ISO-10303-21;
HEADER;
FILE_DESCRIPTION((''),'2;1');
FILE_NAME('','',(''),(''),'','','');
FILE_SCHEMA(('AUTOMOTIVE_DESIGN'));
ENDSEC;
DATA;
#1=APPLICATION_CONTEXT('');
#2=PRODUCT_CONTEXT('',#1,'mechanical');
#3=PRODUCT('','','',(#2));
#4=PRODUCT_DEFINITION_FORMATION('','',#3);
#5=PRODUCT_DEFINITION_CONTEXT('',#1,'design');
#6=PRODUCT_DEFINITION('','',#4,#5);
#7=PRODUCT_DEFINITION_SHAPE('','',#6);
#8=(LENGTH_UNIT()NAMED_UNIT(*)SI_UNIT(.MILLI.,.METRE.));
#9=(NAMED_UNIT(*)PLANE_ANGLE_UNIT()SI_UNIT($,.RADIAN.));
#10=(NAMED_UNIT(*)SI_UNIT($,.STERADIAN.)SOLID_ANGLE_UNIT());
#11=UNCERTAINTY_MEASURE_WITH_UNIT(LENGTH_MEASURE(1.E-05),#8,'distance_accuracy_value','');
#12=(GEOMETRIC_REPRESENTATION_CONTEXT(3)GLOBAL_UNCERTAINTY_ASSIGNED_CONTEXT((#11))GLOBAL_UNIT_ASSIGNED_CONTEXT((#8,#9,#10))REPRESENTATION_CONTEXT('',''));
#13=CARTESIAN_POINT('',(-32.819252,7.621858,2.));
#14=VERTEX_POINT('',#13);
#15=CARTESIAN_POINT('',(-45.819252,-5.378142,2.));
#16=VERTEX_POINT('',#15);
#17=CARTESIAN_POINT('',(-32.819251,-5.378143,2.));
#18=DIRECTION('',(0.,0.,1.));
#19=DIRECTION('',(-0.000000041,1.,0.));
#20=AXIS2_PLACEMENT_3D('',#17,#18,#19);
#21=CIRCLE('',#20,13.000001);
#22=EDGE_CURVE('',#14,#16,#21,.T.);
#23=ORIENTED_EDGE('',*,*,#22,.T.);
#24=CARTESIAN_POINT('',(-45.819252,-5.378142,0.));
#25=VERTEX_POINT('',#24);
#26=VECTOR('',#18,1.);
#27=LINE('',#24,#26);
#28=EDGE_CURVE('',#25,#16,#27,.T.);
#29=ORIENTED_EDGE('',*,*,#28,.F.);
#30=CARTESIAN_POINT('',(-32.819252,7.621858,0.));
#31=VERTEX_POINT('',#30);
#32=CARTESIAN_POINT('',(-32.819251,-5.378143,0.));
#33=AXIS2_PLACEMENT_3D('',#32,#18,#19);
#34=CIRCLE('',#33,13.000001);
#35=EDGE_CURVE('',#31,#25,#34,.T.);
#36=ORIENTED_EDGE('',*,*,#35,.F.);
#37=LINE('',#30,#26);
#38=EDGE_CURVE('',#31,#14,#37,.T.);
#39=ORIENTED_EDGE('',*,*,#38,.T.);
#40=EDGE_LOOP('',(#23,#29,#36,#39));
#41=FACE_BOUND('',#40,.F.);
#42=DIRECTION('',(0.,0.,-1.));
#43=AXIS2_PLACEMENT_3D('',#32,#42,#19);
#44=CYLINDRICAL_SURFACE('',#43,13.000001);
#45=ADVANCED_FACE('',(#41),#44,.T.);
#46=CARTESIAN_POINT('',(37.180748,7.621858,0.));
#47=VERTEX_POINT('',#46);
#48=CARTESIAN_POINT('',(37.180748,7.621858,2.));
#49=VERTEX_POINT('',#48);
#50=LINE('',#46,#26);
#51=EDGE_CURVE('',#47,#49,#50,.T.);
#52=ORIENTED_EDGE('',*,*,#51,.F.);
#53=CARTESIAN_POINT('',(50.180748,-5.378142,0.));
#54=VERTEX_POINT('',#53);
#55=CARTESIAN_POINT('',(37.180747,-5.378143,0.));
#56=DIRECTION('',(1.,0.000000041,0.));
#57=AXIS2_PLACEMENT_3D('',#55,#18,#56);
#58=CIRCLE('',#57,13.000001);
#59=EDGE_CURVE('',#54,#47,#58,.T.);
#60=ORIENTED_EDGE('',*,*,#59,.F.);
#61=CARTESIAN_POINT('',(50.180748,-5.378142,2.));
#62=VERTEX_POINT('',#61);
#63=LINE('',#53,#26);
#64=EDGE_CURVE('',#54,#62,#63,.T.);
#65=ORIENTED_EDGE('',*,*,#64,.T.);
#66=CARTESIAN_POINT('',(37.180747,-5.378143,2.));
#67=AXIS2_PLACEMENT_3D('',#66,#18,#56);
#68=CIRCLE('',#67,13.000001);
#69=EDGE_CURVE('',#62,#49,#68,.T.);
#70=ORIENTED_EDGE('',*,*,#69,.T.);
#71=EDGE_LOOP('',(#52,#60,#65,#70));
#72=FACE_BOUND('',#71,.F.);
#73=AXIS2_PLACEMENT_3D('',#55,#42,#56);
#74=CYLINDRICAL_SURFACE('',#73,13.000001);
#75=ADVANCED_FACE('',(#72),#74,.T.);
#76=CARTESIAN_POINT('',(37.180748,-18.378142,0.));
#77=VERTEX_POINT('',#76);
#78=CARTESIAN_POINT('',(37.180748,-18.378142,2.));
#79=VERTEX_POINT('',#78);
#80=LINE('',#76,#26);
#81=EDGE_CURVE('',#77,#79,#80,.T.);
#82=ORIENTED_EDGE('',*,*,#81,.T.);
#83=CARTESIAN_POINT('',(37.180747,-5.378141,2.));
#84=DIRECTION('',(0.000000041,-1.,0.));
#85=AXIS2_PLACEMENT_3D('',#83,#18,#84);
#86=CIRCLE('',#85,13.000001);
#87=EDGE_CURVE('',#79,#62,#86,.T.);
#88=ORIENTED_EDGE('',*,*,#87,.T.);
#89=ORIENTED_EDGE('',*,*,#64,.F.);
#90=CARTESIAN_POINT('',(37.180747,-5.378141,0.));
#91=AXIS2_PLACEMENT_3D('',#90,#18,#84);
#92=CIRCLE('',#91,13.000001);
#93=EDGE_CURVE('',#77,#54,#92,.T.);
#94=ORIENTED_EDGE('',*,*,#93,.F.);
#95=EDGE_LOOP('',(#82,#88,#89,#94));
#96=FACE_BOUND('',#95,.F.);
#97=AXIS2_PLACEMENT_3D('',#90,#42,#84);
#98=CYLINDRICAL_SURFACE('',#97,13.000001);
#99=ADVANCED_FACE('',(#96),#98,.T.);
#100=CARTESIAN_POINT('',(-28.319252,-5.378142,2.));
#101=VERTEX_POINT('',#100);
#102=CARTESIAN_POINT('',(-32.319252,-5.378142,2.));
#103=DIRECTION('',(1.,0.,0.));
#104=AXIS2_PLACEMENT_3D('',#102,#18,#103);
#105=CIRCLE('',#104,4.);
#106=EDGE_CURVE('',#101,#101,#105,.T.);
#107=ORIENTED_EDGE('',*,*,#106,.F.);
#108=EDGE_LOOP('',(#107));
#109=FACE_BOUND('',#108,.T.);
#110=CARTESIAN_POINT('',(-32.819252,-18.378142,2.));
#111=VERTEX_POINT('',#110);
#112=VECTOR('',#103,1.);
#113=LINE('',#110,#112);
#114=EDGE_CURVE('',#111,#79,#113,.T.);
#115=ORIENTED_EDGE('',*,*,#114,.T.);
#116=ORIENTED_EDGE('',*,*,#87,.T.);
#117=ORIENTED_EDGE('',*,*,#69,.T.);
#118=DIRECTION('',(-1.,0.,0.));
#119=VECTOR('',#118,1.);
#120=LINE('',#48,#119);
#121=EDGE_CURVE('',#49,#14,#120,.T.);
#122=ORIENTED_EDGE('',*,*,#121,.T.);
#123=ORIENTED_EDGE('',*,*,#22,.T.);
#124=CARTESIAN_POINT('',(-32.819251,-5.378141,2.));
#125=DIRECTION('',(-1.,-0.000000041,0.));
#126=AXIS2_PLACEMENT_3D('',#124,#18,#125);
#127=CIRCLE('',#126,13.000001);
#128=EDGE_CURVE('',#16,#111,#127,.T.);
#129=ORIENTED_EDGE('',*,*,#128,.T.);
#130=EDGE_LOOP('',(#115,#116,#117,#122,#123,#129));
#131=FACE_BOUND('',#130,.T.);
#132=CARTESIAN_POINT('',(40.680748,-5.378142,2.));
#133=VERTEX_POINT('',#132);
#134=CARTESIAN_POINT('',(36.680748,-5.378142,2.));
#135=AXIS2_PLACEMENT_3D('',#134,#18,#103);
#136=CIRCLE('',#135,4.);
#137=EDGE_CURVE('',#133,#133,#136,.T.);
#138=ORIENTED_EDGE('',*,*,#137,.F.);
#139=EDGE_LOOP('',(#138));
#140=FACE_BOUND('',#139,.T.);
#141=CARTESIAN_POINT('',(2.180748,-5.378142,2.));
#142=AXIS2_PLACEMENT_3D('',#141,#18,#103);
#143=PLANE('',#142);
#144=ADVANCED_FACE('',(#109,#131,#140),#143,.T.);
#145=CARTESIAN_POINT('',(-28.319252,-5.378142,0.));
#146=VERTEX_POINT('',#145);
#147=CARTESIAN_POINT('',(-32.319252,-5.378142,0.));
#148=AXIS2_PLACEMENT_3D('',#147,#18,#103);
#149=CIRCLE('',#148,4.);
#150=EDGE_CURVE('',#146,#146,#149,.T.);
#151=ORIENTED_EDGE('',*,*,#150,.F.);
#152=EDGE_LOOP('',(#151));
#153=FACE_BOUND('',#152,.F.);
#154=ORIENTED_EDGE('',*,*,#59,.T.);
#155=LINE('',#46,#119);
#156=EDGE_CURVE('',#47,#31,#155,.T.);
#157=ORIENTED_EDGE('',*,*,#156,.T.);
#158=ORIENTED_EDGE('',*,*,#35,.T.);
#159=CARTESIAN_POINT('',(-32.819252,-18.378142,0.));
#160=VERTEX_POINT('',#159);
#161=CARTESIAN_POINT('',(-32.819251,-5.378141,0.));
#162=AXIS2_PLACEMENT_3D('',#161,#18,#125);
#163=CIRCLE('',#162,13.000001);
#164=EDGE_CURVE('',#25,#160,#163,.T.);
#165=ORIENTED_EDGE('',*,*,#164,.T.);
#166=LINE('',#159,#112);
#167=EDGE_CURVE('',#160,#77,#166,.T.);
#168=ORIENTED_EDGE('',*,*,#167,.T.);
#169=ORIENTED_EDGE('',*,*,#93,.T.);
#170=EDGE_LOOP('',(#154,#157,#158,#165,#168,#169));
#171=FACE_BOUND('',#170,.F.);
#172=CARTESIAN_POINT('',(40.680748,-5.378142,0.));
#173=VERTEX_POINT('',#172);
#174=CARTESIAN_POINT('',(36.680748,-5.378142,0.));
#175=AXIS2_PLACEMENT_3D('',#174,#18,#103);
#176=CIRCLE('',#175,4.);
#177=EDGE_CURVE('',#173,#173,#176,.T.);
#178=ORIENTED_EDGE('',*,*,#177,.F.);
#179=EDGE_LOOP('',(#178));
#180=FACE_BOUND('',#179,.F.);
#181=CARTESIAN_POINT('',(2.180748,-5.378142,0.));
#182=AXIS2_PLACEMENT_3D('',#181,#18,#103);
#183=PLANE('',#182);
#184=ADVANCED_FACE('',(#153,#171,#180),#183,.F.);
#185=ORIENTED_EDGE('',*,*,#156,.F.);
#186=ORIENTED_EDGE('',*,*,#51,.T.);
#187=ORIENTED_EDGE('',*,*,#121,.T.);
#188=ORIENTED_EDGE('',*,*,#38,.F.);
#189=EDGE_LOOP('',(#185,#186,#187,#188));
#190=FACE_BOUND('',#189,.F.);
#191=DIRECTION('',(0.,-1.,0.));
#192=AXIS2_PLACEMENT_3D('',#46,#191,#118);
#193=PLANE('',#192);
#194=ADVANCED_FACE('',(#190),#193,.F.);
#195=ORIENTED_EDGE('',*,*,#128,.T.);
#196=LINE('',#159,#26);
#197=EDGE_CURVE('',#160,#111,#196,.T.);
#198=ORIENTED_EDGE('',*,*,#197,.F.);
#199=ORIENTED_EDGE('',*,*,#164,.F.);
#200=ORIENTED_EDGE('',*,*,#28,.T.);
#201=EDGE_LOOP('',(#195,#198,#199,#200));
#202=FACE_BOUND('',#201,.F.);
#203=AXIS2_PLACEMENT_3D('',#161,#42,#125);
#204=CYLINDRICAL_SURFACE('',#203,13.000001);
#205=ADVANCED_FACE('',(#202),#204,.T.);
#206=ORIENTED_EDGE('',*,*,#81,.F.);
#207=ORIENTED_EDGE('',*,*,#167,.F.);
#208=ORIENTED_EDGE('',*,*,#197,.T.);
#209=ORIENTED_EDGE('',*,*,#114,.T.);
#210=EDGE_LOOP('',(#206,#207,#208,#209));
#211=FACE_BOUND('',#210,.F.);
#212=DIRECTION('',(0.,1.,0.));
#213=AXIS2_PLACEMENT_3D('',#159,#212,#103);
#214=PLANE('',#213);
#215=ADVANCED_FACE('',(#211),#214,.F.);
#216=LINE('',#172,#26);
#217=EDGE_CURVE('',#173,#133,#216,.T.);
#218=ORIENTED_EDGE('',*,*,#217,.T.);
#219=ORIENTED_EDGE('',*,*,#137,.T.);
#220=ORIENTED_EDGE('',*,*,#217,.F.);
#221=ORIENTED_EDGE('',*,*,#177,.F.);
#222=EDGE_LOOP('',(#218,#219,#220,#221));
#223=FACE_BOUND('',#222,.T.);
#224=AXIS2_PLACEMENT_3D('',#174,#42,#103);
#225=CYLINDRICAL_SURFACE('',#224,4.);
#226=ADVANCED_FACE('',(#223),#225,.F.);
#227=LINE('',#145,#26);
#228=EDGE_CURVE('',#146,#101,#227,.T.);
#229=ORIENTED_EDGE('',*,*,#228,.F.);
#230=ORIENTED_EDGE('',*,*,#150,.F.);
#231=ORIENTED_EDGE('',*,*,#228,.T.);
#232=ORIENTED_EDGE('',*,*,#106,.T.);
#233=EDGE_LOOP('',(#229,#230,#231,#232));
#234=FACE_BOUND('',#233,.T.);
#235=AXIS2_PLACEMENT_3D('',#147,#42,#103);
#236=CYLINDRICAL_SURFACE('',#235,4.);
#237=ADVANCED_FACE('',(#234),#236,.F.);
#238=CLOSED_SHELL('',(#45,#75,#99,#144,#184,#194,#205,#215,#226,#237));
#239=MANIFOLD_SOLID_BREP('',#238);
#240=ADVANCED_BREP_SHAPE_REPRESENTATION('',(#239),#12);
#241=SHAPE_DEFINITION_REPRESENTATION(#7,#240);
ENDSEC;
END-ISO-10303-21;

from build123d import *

# Parameters (mm, degrees)
F0_R     = 4
F1_DEPTH = 2


with BuildPart() as f1:
    # F0 (on Top) → F1 (new body)
    with BuildSketch(Plane.XY):
        with BuildLine():
            Line((37.180748, 7.621858), (-32.819252, 7.621858))
            ThreePointArc((-32.819252, 7.621858), (-42.01164, 3.814246), (-45.819252, -5.378142))
            ThreePointArc((-45.819252, -5.378142), (-42.01164, -14.57053), (-32.819252, -18.378142))
            Line((-32.819252, -18.378142), (37.180748, -18.378142))
            ThreePointArc((37.180748, -18.378142), (46.373136, -14.57053), (50.180748, -5.378142))
            ThreePointArc((50.180748, -5.378142), (46.373136, 3.814246), (37.180748, 7.621858))
        make_face()
        with Locations((-32.319252, -5.378142)):
            Circle(F0_R, mode=Mode.SUBTRACT)
        with Locations((36.680748, -5.378142)):
            Circle(F0_R, mode=Mode.SUBTRACT)
    extrude(amount=F1_DEPTH)


solid = f1.part
